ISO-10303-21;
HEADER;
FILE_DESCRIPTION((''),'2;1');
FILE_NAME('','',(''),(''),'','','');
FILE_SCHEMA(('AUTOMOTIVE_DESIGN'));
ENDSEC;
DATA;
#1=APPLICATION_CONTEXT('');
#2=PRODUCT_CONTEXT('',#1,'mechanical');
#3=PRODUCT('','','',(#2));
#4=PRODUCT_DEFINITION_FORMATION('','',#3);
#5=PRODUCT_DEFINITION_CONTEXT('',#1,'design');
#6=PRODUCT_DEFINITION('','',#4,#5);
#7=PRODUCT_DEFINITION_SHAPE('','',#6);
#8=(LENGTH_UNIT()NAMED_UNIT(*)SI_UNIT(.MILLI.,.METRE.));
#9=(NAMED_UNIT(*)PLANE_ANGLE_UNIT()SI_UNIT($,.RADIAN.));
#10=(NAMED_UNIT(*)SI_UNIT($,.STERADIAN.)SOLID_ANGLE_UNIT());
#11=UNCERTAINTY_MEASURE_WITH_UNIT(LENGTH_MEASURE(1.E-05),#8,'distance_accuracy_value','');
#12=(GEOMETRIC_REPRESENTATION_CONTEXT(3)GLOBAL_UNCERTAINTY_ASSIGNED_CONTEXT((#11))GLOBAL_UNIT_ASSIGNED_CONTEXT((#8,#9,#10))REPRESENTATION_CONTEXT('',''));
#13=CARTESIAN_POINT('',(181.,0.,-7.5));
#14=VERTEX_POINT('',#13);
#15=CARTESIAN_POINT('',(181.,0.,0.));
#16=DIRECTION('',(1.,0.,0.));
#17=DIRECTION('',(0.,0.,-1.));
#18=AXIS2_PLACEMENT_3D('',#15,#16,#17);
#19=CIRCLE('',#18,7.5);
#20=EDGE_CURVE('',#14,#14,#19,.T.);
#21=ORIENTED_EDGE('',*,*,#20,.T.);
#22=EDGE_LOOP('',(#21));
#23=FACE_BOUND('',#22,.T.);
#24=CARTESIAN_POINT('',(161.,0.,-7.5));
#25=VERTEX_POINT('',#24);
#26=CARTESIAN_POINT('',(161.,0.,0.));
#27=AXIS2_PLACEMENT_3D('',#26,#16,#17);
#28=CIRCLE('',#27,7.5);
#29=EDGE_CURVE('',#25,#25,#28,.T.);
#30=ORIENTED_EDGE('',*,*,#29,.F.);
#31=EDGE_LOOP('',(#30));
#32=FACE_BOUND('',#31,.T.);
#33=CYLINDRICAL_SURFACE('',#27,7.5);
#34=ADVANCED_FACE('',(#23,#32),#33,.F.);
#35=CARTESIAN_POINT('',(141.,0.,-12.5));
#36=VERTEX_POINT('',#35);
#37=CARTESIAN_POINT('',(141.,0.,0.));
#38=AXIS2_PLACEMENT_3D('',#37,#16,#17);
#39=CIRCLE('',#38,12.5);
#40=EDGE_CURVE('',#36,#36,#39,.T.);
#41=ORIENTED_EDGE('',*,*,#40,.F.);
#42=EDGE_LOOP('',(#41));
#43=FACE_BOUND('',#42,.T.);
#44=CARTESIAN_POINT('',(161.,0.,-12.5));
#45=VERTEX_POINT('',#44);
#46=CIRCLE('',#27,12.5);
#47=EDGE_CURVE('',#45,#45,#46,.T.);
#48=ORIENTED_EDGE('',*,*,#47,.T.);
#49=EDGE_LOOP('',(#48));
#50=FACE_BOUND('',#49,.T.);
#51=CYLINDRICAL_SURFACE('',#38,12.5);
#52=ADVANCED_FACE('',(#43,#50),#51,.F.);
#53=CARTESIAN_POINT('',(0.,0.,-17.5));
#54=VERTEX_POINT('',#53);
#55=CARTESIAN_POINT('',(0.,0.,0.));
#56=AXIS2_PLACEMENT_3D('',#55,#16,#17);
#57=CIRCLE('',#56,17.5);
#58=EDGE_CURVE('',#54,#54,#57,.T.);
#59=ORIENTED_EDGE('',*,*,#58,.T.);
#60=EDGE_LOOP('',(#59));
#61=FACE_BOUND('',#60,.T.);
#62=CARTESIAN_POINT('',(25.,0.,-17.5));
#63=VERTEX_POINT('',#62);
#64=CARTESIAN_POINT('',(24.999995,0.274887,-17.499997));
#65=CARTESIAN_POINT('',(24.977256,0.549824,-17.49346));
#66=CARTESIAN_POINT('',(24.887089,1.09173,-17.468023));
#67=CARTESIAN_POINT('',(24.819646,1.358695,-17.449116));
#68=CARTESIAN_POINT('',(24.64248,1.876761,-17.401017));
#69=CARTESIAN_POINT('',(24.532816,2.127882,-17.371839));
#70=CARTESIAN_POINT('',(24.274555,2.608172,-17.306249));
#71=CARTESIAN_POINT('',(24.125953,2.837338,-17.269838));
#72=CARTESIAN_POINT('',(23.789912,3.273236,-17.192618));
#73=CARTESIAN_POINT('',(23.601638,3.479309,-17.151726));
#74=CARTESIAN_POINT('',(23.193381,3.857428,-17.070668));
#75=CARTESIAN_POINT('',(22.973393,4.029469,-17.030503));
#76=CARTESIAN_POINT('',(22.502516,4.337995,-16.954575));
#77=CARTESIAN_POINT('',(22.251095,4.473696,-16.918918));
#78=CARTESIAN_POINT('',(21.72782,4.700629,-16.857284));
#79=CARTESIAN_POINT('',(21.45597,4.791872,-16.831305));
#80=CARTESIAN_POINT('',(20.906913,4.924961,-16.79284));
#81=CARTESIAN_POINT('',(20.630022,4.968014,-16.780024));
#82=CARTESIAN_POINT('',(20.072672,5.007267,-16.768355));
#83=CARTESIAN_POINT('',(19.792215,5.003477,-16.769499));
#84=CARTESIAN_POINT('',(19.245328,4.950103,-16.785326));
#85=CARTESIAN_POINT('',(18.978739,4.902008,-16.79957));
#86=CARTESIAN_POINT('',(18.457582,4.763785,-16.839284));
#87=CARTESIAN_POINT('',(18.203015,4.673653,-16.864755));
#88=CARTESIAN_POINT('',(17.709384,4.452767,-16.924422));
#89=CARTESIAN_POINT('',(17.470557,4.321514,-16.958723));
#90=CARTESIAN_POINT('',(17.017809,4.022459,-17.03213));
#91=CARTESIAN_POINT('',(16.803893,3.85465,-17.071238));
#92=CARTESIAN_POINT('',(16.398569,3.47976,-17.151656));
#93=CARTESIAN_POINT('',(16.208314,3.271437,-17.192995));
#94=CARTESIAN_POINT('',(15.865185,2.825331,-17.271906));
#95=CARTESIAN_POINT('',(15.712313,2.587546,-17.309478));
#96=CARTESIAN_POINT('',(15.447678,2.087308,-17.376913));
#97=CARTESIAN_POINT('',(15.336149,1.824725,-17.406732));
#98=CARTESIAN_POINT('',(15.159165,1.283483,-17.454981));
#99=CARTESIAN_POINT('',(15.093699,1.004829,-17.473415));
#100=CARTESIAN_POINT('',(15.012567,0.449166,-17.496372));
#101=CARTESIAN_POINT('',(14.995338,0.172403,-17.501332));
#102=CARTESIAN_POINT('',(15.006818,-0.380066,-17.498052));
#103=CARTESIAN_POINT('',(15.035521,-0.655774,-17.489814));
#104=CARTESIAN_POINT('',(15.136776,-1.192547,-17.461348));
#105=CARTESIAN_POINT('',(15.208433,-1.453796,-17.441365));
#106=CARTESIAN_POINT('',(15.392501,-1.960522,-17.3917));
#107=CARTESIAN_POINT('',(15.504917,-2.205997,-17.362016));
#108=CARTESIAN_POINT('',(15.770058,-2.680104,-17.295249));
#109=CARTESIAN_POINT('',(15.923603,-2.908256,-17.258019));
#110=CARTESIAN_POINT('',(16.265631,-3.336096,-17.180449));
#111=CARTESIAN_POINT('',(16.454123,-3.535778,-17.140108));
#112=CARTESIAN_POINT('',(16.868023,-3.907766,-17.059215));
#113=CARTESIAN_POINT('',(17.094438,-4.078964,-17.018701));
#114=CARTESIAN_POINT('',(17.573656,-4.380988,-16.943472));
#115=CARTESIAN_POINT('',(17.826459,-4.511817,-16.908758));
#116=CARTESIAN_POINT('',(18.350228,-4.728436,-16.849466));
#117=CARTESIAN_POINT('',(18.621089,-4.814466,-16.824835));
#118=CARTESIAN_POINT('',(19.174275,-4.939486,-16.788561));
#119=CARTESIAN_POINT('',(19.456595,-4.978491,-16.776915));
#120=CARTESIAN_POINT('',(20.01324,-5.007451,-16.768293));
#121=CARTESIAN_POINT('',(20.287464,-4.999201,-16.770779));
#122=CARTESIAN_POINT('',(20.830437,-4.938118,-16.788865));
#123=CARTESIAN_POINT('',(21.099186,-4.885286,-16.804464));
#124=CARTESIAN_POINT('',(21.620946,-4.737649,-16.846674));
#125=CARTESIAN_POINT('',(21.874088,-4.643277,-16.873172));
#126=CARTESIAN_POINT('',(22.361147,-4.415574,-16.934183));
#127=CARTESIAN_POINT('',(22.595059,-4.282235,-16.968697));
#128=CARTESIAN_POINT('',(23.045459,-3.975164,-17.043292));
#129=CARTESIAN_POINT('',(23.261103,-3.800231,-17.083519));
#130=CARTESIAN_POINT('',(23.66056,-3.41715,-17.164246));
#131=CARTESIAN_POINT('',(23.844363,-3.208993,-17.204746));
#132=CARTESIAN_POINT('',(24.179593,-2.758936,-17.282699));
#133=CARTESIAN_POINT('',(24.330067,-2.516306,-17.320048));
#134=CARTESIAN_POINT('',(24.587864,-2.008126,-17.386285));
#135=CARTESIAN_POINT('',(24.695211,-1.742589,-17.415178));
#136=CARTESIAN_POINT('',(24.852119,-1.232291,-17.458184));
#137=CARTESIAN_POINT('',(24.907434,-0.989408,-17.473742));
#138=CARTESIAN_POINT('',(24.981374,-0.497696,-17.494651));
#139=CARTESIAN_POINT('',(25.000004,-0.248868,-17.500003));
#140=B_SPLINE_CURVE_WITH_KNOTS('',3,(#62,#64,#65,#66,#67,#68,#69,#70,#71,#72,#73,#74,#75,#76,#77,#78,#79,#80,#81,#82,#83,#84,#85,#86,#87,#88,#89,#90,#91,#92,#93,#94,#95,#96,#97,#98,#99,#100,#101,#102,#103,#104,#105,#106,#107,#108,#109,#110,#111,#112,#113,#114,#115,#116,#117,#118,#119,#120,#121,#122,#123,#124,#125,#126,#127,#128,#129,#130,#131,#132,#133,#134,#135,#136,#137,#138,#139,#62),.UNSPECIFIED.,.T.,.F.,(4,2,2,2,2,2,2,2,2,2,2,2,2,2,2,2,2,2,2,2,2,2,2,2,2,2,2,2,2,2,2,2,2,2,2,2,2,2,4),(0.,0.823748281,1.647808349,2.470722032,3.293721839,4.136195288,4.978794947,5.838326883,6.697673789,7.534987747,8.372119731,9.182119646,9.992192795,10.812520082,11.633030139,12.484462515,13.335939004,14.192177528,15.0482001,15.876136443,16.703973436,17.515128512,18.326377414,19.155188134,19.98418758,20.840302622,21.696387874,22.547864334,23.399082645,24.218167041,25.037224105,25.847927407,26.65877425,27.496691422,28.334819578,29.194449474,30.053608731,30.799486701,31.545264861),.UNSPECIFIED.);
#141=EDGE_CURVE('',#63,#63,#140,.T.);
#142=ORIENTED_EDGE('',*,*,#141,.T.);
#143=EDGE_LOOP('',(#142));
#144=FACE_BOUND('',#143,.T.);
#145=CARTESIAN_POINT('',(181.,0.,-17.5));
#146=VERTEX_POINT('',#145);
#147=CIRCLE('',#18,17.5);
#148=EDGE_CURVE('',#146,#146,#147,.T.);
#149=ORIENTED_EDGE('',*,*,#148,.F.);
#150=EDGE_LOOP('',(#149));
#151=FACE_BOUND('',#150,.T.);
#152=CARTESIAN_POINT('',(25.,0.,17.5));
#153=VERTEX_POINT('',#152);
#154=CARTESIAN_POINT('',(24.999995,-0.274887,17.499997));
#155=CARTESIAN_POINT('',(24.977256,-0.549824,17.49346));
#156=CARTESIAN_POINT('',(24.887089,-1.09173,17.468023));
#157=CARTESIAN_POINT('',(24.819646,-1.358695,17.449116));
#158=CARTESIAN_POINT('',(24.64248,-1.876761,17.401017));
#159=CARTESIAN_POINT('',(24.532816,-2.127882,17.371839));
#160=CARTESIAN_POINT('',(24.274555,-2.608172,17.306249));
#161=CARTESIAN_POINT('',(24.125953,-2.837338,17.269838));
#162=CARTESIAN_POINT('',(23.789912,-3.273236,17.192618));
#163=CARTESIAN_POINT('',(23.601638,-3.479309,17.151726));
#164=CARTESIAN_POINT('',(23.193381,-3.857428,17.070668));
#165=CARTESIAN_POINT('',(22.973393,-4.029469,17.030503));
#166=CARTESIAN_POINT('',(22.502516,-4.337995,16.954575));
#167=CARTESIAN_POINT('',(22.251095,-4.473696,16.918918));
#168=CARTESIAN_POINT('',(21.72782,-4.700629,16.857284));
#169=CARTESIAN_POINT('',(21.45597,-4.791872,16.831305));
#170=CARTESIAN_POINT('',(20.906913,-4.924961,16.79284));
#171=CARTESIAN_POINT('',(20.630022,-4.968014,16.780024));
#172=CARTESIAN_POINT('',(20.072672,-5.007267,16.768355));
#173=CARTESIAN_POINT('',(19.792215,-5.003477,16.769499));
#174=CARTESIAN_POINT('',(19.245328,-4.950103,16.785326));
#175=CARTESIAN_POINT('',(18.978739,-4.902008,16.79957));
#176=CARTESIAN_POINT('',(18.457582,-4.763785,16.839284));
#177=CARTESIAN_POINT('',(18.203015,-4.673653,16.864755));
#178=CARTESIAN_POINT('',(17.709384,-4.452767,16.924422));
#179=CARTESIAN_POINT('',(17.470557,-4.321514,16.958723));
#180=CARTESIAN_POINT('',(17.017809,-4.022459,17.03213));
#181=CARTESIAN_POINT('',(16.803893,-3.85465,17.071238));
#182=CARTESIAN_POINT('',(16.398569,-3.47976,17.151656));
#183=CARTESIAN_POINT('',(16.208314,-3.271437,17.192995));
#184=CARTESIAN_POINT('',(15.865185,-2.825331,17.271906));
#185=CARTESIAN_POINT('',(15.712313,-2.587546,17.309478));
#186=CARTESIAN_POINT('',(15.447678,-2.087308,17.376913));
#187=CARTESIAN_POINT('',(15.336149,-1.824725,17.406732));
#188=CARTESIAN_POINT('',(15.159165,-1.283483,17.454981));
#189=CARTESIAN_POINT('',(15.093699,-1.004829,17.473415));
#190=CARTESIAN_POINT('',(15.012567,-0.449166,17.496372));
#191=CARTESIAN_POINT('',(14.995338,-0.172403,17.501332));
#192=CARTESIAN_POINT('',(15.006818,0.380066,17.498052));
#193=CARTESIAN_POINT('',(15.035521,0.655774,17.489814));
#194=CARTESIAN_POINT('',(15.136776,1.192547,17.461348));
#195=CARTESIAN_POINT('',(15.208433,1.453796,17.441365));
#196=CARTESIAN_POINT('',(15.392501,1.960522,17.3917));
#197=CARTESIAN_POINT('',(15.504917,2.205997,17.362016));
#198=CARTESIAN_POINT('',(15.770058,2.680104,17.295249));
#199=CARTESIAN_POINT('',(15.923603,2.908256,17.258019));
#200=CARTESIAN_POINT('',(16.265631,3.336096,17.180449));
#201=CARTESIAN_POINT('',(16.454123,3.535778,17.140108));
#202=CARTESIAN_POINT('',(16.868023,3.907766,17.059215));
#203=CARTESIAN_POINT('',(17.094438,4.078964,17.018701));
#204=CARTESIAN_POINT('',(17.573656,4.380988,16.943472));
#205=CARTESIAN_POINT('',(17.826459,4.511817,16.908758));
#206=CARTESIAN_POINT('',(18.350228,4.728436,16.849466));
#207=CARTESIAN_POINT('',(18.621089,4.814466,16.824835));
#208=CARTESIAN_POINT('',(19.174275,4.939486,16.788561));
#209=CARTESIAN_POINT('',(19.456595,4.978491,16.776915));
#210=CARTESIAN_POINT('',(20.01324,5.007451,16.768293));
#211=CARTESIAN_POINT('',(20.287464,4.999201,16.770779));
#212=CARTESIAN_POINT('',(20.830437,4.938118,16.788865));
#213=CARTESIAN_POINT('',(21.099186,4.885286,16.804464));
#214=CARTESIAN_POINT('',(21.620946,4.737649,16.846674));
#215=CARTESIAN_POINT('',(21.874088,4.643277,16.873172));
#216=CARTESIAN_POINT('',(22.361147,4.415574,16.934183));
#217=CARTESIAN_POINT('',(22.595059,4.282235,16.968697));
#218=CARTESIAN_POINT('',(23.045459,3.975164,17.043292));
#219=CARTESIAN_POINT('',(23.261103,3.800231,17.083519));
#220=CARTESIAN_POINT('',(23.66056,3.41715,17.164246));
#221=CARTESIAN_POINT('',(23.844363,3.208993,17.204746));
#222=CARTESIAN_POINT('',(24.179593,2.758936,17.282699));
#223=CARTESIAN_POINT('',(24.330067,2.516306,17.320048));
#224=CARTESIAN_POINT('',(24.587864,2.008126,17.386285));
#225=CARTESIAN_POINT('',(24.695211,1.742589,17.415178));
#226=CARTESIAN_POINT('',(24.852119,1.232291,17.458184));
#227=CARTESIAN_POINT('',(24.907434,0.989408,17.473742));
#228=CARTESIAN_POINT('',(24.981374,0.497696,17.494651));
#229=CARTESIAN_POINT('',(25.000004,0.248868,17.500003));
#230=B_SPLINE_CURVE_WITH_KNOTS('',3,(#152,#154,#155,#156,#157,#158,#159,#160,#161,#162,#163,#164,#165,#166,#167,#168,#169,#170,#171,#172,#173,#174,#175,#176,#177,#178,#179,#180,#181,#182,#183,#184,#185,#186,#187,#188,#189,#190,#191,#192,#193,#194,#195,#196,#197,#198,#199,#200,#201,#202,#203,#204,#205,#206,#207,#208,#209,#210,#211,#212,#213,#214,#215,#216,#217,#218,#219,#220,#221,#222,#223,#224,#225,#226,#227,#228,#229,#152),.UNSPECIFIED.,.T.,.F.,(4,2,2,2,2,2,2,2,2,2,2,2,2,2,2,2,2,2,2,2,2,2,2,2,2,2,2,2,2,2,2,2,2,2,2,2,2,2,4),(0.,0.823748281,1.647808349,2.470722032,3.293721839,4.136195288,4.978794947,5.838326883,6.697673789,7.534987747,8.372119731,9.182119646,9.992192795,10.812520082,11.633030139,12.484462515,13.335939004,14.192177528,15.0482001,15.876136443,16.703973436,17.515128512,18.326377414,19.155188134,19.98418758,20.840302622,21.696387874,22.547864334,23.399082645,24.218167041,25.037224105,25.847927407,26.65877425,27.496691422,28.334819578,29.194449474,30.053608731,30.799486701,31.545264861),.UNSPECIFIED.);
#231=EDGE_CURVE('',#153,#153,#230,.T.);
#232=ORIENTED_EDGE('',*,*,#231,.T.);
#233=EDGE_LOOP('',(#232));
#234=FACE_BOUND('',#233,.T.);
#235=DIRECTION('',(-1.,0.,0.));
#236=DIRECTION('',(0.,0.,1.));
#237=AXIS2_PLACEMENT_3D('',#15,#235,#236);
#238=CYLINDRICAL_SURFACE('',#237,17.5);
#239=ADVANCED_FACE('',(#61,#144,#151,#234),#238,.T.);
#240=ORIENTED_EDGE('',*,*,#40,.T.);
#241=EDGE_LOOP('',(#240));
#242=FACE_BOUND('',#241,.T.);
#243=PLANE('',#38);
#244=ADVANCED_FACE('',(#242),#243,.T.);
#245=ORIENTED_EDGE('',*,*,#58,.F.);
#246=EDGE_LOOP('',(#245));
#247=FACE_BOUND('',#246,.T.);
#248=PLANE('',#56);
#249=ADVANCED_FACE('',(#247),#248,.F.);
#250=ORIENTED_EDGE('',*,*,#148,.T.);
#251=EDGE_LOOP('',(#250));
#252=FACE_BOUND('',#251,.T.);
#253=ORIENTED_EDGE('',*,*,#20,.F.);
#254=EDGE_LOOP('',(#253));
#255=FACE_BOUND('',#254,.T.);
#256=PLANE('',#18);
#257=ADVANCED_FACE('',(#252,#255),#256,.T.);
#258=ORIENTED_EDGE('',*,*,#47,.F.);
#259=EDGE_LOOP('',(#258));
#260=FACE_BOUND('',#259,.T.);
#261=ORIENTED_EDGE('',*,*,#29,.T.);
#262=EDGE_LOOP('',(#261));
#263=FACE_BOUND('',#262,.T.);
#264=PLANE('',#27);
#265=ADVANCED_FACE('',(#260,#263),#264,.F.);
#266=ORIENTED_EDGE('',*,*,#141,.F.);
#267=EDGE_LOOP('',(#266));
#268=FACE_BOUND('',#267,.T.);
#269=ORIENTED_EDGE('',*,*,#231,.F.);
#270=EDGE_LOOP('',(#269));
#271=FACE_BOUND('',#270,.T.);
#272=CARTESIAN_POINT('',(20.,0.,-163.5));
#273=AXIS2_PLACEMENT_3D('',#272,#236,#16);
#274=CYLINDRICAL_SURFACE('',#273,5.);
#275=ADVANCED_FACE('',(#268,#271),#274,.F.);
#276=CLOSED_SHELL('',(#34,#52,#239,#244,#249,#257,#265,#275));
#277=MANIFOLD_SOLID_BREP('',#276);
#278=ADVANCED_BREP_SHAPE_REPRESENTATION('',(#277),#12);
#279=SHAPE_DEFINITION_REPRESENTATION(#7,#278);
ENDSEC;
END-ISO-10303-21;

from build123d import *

# Parameters (mm, degrees)
SKETCH2_R           = 17.5
BOSS_EXTRUDE1_DEPTH = 181
SKETCH3_R           = 5
CUT_EXTRUDE1_DEPTH  = 181
SKETCH4_R           = 7.5
CUT_EXTRUDE2_DEPTH  = 20
SKETCH5_R           = 12.5
CUT_EXTRUDE3_DEPTH  = 20


with BuildPart() as part:
    # Sketch2 → Boss-Extrude1 (new body)
    with BuildSketch(Plane(origin=(0, 0, 0), x_dir=(0, 0, -1), z_dir=(1, 0, 0))):
        Circle(SKETCH2_R)
    extrude(amount=BOSS_EXTRUDE1_DEPTH)

    # Sketch3 → Cut-Extrude1 (cut)
    with BuildSketch(Plane.XY.offset(17.5)):
        with Locations((20, 0)):
            Circle(SKETCH3_R)
    extrude(amount=-CUT_EXTRUDE1_DEPTH, mode=Mode.SUBTRACT)

    # Sketch4 → Cut-Extrude2 (cut)
    with BuildSketch(Plane(origin=(181, 0, 0), x_dir=(0, 0, -1), z_dir=(1, 0, 0))):
        Circle(SKETCH4_R)
    extrude(amount=-CUT_EXTRUDE2_DEPTH, mode=Mode.SUBTRACT)

    # Sketch5 → Cut-Extrude3 (cut)
    with BuildSketch(Plane(origin=(161, 0, 0), x_dir=(0, 0, -1), z_dir=(1, 0, 0))):
        Circle(SKETCH5_R)
    extrude(amount=-CUT_EXTRUDE3_DEPTH, mode=Mode.SUBTRACT)


solid = part.part
